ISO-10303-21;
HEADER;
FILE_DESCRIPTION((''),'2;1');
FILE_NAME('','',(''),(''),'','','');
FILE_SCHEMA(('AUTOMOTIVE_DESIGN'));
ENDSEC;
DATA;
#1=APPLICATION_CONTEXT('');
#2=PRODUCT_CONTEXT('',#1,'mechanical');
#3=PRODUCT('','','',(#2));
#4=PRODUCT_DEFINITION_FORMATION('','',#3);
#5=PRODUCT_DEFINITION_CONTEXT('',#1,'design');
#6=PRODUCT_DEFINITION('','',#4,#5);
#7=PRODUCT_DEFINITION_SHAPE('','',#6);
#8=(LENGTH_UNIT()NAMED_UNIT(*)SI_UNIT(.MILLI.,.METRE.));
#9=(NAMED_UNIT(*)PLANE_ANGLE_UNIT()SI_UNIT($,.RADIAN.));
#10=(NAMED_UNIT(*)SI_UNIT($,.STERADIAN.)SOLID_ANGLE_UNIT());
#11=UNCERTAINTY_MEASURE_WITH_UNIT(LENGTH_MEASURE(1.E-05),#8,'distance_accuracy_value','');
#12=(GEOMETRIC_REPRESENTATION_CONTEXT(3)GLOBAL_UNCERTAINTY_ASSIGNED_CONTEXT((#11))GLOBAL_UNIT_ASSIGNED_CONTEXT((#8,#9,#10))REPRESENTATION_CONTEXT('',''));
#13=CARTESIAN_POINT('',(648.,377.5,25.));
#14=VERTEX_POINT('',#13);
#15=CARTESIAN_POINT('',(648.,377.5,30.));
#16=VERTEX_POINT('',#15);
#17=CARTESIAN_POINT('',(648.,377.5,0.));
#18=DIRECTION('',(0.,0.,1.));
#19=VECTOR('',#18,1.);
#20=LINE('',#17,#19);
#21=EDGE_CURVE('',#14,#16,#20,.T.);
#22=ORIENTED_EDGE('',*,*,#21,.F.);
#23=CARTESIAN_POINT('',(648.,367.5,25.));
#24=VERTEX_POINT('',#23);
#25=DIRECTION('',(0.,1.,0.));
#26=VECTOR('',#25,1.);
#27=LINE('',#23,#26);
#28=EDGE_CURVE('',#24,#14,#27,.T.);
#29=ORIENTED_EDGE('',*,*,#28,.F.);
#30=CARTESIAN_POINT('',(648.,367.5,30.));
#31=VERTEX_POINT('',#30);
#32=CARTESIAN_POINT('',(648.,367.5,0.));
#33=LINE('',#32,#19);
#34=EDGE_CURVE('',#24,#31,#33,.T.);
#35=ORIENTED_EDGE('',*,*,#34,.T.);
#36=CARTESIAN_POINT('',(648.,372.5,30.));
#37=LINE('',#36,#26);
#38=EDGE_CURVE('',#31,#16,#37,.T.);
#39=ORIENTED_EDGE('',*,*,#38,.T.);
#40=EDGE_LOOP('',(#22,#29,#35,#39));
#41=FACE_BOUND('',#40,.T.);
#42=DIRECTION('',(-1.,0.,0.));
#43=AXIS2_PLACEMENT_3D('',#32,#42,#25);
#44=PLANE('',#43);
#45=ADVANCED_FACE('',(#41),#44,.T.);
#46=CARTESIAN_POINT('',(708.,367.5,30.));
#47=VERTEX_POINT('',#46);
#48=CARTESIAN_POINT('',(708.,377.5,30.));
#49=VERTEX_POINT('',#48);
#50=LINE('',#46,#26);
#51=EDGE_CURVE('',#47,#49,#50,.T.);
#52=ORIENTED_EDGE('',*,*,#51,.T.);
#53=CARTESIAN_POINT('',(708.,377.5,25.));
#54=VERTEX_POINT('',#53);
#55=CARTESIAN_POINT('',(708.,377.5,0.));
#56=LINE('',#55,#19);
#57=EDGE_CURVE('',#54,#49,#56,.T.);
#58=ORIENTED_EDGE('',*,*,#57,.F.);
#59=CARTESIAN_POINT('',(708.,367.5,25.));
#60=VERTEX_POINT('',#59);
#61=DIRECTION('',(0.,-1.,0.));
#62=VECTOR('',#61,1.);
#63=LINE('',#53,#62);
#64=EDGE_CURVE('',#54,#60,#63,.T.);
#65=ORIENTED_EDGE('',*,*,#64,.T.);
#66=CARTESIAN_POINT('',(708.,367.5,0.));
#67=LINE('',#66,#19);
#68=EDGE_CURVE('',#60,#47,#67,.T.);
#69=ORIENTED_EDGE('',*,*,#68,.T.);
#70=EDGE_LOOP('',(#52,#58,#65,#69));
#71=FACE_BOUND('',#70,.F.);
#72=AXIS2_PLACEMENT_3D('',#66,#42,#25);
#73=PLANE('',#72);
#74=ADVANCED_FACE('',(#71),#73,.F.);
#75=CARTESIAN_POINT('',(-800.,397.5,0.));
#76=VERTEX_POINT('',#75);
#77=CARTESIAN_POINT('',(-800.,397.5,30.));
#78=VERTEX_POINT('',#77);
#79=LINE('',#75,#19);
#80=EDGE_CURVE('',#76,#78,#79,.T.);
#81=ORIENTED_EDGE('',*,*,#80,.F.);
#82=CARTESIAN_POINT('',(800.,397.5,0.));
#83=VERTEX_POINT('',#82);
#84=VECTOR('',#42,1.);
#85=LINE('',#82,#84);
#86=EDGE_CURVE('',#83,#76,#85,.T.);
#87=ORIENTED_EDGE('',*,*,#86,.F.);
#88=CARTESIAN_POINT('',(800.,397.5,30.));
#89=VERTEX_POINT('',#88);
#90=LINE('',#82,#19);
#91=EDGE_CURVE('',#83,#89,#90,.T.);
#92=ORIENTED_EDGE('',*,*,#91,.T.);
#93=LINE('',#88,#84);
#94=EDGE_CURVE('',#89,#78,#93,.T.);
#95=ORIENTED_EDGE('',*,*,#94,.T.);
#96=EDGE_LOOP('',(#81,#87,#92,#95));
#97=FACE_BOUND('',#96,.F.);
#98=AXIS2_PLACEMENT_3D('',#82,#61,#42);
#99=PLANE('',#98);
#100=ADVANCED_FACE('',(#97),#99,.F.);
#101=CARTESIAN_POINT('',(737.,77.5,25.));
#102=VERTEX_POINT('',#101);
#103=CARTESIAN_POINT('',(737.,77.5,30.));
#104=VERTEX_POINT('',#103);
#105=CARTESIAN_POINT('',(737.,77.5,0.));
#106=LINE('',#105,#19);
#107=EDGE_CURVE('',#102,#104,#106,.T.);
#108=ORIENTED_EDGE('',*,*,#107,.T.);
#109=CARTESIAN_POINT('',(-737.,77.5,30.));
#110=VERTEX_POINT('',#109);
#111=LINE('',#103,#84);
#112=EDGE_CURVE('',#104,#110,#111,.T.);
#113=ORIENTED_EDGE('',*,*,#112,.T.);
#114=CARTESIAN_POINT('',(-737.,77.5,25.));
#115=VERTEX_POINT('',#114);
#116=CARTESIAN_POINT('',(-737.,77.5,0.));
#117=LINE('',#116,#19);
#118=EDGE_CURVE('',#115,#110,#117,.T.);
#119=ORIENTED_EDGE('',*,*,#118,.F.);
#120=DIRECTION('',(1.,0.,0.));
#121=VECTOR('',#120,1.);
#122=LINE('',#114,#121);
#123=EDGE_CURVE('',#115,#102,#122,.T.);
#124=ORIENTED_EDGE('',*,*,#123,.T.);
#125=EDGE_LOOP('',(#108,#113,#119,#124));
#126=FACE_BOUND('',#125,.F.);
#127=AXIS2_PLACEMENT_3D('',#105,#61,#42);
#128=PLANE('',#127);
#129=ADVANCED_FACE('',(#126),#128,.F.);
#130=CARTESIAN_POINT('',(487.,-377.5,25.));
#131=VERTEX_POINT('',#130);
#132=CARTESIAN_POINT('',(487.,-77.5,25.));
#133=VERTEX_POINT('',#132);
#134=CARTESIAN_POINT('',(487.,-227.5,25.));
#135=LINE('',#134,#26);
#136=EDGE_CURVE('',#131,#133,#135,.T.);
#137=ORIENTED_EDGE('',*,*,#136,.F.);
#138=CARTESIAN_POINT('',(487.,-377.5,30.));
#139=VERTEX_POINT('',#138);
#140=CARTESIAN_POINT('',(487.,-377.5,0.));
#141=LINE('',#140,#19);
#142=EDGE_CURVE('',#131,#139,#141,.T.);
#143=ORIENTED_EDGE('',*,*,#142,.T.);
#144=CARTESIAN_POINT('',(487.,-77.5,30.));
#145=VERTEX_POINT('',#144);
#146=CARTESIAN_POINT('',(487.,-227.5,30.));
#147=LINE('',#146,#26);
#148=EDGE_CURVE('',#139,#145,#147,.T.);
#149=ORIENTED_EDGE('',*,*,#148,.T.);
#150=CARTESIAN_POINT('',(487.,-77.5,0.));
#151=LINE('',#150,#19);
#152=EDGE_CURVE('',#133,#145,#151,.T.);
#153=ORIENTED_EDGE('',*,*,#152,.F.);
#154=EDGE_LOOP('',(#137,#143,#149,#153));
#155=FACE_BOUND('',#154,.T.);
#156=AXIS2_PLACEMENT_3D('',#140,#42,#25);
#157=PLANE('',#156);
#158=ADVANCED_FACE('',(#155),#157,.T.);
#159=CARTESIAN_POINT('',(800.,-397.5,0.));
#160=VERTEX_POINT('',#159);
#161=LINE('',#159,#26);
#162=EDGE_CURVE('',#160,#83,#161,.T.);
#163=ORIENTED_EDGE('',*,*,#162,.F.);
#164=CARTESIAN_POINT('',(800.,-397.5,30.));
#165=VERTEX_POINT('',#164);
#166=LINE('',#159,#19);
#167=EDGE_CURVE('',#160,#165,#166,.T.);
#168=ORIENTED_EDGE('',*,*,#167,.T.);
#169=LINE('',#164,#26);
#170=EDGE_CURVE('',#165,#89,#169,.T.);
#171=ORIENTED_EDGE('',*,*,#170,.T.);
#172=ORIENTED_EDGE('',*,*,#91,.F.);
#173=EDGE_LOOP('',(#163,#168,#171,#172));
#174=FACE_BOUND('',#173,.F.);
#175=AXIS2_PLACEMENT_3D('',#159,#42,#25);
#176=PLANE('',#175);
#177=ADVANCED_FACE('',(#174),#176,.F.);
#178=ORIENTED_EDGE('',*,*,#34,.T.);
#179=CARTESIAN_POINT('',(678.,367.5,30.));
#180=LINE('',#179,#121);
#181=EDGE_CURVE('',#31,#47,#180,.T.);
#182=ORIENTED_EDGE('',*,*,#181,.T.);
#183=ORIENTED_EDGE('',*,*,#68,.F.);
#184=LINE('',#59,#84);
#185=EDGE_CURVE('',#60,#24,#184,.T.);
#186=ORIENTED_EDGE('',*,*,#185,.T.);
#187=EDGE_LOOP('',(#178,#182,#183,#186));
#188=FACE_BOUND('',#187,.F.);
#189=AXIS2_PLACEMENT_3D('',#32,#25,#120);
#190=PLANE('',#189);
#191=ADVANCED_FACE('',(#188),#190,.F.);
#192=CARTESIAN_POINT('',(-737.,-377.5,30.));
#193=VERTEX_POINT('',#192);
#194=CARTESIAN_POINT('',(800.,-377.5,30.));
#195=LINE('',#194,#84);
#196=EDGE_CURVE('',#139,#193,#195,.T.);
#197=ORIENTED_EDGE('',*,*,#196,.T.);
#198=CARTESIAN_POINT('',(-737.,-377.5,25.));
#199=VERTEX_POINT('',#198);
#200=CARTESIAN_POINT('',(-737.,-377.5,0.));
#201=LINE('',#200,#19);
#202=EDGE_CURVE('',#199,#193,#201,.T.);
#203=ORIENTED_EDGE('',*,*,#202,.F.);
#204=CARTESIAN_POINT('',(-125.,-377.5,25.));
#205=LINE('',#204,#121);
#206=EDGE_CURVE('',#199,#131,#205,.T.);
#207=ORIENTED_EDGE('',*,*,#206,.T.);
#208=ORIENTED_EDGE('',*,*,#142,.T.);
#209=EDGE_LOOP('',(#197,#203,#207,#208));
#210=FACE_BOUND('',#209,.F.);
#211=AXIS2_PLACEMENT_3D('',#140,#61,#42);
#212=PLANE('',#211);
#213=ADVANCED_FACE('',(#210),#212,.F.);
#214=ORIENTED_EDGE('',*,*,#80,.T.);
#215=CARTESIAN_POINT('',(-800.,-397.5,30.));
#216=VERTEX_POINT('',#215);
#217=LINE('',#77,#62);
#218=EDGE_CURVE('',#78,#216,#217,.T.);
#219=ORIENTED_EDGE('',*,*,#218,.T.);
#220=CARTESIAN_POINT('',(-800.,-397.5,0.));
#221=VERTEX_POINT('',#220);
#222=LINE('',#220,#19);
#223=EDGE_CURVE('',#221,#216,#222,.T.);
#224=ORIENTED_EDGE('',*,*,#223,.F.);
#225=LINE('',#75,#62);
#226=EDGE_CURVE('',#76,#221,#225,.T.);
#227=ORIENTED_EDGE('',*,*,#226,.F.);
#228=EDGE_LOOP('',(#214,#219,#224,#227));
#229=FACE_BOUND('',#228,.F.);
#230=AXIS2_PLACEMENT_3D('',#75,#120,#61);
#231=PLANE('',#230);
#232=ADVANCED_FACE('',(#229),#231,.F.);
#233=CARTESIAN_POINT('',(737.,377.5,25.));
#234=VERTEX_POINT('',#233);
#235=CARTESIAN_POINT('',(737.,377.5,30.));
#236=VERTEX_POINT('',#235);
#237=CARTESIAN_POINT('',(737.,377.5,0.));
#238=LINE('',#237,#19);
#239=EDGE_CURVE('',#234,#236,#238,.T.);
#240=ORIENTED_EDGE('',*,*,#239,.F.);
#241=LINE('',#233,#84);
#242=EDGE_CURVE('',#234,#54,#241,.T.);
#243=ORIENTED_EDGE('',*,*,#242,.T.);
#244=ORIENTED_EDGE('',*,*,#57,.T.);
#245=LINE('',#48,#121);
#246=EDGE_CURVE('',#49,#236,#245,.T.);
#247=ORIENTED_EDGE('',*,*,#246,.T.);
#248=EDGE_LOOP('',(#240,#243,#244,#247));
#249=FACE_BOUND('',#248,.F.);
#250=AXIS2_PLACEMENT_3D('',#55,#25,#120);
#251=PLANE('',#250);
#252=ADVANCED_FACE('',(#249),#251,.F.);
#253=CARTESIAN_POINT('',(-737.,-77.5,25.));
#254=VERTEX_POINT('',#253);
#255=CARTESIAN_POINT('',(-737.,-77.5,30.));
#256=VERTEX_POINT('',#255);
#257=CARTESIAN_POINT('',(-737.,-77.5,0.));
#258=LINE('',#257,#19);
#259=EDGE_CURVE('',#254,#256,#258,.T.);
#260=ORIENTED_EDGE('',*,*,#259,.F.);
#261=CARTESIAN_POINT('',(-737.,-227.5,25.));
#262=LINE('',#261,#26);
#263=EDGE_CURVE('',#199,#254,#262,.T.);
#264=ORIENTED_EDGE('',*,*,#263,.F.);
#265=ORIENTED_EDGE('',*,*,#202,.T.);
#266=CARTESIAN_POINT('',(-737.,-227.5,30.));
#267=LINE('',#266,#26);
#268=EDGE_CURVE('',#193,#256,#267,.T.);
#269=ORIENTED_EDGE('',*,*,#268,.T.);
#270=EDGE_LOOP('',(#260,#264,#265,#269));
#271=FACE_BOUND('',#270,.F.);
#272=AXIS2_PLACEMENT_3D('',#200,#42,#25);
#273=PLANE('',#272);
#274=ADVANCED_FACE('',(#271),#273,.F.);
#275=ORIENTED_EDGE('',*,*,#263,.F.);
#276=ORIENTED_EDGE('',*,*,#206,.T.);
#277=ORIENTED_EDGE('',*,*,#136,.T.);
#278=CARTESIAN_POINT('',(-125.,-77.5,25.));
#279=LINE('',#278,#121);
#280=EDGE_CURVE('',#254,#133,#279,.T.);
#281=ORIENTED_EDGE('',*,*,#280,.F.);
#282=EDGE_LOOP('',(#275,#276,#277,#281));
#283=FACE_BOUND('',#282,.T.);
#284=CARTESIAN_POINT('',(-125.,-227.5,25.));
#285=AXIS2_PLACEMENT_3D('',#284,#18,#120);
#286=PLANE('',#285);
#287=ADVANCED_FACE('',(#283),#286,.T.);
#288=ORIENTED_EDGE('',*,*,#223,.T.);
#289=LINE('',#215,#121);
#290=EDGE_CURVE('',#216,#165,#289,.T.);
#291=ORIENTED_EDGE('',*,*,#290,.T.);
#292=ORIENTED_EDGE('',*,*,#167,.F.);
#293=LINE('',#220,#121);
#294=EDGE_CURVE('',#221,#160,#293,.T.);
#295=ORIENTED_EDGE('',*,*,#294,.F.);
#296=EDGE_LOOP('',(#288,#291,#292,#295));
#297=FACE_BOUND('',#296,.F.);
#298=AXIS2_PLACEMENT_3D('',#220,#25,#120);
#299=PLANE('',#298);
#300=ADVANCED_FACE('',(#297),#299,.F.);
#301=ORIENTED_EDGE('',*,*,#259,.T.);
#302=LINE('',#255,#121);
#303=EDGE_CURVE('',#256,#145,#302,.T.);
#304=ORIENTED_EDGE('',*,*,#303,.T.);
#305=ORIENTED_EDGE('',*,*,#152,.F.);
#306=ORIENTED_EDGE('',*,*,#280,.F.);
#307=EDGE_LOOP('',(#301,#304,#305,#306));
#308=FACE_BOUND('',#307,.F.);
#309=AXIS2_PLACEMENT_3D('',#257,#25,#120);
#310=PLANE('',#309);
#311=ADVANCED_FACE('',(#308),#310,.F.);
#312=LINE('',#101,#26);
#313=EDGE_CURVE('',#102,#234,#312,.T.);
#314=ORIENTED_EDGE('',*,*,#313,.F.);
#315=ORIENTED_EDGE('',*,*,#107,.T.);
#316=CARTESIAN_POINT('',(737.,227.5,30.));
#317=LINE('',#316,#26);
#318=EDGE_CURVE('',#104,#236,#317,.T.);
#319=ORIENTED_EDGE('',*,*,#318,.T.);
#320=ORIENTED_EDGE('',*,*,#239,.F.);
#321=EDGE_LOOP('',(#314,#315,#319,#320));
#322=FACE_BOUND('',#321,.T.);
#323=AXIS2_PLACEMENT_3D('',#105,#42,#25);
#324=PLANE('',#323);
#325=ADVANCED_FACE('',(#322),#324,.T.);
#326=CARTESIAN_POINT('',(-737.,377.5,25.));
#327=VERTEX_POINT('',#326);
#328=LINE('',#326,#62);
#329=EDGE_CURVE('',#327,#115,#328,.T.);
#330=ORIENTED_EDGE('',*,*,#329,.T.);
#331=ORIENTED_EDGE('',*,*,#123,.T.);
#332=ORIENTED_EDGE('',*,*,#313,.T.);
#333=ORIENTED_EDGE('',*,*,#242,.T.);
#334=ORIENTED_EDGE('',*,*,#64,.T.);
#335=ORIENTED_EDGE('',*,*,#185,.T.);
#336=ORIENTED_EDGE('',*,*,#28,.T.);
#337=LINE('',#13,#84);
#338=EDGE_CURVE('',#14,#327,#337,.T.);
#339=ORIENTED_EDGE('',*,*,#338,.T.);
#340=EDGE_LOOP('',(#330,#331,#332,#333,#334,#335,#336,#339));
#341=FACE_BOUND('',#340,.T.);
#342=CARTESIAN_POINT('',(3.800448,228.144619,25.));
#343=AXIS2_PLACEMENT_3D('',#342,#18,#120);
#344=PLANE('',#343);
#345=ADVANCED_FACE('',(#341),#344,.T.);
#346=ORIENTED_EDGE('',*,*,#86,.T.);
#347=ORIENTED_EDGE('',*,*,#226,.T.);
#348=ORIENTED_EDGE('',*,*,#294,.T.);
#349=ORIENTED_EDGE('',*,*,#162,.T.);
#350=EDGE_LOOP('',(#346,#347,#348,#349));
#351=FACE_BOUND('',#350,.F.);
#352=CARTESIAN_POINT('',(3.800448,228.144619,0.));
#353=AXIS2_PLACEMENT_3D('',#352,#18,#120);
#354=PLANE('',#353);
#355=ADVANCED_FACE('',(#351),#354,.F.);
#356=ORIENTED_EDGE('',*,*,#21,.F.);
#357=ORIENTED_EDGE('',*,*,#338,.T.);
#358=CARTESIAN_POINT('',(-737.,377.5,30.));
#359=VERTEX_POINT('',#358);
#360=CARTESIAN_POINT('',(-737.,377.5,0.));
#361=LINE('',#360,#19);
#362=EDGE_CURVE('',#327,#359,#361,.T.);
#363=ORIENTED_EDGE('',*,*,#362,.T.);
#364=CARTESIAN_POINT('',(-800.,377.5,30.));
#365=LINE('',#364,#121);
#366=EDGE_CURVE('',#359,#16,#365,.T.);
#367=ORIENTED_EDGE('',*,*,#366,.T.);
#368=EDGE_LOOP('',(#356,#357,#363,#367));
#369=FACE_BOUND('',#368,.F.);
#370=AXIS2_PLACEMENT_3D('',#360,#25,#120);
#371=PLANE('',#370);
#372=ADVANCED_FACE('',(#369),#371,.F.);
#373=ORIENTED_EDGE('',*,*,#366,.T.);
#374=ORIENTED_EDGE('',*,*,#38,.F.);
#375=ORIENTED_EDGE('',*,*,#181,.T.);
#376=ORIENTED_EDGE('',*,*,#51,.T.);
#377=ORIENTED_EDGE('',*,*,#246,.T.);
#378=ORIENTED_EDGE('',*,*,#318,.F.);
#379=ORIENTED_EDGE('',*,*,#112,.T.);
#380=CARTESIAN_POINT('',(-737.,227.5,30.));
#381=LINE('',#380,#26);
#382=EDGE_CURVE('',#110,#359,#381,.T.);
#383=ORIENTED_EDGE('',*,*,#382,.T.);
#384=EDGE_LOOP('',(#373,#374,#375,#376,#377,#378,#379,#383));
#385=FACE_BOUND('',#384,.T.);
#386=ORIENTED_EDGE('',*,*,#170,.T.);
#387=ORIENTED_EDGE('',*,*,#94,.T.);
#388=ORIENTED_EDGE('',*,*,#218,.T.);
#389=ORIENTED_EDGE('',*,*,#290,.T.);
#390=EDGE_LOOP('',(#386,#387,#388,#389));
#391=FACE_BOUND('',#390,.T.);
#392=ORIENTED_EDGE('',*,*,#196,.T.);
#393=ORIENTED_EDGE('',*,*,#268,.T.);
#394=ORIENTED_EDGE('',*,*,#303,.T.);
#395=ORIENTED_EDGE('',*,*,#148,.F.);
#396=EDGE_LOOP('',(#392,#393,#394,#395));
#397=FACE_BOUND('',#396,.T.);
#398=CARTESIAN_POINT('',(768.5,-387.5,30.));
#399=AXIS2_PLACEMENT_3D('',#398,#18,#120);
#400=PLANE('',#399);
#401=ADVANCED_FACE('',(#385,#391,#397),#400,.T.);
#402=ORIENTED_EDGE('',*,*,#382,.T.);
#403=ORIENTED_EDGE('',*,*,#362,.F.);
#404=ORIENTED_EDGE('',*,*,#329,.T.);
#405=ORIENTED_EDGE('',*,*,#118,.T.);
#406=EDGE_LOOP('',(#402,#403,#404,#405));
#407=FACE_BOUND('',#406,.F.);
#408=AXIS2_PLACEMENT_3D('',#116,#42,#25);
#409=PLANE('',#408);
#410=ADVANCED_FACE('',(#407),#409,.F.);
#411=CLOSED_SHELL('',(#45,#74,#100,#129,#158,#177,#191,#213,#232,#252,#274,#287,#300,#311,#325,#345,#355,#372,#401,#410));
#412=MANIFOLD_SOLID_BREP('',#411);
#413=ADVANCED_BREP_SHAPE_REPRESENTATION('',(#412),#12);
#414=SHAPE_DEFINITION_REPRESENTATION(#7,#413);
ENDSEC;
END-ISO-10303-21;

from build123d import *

# Parameters (mm, degrees)
F0_W     = 63
F0_H     = 20
F0_W_2   = 250
F0_W_3   = 1224
F0_W_4   = 1385
F0_W_5   = 60
F0_H_2   = 10
F0_W_6   = 29
F0_H_3   = 300
F0_H_4   = 155
F1_DEPTH = 30
F2_DEPTH = 25


with BuildPart() as f1:
    # F0 (on Top) → F1 (new body)
    with BuildSketch(Plane.XY):
        with Locations((768.5, -387.5)):
            Rectangle(F0_W, F0_H)
        with Locations((612, -387.5)):
            Rectangle(F0_W_2, F0_H)
        with Locations((-125, -387.5)):
            Rectangle(F0_W_3, F0_H)
        with Locations((-768.5, -387.5)):
            Rectangle(F0_W, F0_H)
        with Locations((-44.5, 387.5)):
            Rectangle(F0_W_4, F0_H)
        with Locations((678, 387.5)):
            Rectangle(F0_W_5, F0_H)
        with Locations((678, 372.5)):
            Rectangle(F0_W_5, F0_H_2)
        with Locations((722.5, 387.5)):
            Rectangle(F0_W_6, F0_H)
        with Locations((768.5, 387.5)):
            Rectangle(F0_W, F0_H)
        with Locations((768.5, 227.5)):
            Rectangle(F0_W, F0_H_3)
        Polygon((737, -77.5), (737, 77.5), (-737, 77.5), (-737, -77.5), (487, -77.5), align=None)
        with Locations((-768.5, 387.5)):
            Rectangle(F0_W, F0_H)
        with Locations((-768.5, 227.5)):
            Rectangle(F0_W, F0_H_3)
        with Locations((-768.5, 0)):
            Rectangle(F0_W, F0_H_4)
        with Locations((-768.5, -227.5)):
            Rectangle(F0_W, F0_H_3)
        with Locations((768.5, 0)):
            Rectangle(F0_W, F0_H_4)
        with Locations((768.5, -227.5)):
            Rectangle(F0_W, F0_H_3)
        with Locations((612, -227.5)):
            Rectangle(F0_W_2, F0_H_3)
    extrude(amount=F1_DEPTH)

    # F0 (on Top) → F2 (join)
    with BuildSketch(Plane.XY):
        Polygon((737, 77.5), (737, 377.5), (708, 377.5), (708, 367.5), (648, 367.5), (648, 377.5), (-737, 377.5), (-737, 77.5), align=None)
        with Locations((-125, -227.5)):
            Rectangle(F0_W_3, F0_H_3)
    extrude(amount=F2_DEPTH)


solid = f1.part
